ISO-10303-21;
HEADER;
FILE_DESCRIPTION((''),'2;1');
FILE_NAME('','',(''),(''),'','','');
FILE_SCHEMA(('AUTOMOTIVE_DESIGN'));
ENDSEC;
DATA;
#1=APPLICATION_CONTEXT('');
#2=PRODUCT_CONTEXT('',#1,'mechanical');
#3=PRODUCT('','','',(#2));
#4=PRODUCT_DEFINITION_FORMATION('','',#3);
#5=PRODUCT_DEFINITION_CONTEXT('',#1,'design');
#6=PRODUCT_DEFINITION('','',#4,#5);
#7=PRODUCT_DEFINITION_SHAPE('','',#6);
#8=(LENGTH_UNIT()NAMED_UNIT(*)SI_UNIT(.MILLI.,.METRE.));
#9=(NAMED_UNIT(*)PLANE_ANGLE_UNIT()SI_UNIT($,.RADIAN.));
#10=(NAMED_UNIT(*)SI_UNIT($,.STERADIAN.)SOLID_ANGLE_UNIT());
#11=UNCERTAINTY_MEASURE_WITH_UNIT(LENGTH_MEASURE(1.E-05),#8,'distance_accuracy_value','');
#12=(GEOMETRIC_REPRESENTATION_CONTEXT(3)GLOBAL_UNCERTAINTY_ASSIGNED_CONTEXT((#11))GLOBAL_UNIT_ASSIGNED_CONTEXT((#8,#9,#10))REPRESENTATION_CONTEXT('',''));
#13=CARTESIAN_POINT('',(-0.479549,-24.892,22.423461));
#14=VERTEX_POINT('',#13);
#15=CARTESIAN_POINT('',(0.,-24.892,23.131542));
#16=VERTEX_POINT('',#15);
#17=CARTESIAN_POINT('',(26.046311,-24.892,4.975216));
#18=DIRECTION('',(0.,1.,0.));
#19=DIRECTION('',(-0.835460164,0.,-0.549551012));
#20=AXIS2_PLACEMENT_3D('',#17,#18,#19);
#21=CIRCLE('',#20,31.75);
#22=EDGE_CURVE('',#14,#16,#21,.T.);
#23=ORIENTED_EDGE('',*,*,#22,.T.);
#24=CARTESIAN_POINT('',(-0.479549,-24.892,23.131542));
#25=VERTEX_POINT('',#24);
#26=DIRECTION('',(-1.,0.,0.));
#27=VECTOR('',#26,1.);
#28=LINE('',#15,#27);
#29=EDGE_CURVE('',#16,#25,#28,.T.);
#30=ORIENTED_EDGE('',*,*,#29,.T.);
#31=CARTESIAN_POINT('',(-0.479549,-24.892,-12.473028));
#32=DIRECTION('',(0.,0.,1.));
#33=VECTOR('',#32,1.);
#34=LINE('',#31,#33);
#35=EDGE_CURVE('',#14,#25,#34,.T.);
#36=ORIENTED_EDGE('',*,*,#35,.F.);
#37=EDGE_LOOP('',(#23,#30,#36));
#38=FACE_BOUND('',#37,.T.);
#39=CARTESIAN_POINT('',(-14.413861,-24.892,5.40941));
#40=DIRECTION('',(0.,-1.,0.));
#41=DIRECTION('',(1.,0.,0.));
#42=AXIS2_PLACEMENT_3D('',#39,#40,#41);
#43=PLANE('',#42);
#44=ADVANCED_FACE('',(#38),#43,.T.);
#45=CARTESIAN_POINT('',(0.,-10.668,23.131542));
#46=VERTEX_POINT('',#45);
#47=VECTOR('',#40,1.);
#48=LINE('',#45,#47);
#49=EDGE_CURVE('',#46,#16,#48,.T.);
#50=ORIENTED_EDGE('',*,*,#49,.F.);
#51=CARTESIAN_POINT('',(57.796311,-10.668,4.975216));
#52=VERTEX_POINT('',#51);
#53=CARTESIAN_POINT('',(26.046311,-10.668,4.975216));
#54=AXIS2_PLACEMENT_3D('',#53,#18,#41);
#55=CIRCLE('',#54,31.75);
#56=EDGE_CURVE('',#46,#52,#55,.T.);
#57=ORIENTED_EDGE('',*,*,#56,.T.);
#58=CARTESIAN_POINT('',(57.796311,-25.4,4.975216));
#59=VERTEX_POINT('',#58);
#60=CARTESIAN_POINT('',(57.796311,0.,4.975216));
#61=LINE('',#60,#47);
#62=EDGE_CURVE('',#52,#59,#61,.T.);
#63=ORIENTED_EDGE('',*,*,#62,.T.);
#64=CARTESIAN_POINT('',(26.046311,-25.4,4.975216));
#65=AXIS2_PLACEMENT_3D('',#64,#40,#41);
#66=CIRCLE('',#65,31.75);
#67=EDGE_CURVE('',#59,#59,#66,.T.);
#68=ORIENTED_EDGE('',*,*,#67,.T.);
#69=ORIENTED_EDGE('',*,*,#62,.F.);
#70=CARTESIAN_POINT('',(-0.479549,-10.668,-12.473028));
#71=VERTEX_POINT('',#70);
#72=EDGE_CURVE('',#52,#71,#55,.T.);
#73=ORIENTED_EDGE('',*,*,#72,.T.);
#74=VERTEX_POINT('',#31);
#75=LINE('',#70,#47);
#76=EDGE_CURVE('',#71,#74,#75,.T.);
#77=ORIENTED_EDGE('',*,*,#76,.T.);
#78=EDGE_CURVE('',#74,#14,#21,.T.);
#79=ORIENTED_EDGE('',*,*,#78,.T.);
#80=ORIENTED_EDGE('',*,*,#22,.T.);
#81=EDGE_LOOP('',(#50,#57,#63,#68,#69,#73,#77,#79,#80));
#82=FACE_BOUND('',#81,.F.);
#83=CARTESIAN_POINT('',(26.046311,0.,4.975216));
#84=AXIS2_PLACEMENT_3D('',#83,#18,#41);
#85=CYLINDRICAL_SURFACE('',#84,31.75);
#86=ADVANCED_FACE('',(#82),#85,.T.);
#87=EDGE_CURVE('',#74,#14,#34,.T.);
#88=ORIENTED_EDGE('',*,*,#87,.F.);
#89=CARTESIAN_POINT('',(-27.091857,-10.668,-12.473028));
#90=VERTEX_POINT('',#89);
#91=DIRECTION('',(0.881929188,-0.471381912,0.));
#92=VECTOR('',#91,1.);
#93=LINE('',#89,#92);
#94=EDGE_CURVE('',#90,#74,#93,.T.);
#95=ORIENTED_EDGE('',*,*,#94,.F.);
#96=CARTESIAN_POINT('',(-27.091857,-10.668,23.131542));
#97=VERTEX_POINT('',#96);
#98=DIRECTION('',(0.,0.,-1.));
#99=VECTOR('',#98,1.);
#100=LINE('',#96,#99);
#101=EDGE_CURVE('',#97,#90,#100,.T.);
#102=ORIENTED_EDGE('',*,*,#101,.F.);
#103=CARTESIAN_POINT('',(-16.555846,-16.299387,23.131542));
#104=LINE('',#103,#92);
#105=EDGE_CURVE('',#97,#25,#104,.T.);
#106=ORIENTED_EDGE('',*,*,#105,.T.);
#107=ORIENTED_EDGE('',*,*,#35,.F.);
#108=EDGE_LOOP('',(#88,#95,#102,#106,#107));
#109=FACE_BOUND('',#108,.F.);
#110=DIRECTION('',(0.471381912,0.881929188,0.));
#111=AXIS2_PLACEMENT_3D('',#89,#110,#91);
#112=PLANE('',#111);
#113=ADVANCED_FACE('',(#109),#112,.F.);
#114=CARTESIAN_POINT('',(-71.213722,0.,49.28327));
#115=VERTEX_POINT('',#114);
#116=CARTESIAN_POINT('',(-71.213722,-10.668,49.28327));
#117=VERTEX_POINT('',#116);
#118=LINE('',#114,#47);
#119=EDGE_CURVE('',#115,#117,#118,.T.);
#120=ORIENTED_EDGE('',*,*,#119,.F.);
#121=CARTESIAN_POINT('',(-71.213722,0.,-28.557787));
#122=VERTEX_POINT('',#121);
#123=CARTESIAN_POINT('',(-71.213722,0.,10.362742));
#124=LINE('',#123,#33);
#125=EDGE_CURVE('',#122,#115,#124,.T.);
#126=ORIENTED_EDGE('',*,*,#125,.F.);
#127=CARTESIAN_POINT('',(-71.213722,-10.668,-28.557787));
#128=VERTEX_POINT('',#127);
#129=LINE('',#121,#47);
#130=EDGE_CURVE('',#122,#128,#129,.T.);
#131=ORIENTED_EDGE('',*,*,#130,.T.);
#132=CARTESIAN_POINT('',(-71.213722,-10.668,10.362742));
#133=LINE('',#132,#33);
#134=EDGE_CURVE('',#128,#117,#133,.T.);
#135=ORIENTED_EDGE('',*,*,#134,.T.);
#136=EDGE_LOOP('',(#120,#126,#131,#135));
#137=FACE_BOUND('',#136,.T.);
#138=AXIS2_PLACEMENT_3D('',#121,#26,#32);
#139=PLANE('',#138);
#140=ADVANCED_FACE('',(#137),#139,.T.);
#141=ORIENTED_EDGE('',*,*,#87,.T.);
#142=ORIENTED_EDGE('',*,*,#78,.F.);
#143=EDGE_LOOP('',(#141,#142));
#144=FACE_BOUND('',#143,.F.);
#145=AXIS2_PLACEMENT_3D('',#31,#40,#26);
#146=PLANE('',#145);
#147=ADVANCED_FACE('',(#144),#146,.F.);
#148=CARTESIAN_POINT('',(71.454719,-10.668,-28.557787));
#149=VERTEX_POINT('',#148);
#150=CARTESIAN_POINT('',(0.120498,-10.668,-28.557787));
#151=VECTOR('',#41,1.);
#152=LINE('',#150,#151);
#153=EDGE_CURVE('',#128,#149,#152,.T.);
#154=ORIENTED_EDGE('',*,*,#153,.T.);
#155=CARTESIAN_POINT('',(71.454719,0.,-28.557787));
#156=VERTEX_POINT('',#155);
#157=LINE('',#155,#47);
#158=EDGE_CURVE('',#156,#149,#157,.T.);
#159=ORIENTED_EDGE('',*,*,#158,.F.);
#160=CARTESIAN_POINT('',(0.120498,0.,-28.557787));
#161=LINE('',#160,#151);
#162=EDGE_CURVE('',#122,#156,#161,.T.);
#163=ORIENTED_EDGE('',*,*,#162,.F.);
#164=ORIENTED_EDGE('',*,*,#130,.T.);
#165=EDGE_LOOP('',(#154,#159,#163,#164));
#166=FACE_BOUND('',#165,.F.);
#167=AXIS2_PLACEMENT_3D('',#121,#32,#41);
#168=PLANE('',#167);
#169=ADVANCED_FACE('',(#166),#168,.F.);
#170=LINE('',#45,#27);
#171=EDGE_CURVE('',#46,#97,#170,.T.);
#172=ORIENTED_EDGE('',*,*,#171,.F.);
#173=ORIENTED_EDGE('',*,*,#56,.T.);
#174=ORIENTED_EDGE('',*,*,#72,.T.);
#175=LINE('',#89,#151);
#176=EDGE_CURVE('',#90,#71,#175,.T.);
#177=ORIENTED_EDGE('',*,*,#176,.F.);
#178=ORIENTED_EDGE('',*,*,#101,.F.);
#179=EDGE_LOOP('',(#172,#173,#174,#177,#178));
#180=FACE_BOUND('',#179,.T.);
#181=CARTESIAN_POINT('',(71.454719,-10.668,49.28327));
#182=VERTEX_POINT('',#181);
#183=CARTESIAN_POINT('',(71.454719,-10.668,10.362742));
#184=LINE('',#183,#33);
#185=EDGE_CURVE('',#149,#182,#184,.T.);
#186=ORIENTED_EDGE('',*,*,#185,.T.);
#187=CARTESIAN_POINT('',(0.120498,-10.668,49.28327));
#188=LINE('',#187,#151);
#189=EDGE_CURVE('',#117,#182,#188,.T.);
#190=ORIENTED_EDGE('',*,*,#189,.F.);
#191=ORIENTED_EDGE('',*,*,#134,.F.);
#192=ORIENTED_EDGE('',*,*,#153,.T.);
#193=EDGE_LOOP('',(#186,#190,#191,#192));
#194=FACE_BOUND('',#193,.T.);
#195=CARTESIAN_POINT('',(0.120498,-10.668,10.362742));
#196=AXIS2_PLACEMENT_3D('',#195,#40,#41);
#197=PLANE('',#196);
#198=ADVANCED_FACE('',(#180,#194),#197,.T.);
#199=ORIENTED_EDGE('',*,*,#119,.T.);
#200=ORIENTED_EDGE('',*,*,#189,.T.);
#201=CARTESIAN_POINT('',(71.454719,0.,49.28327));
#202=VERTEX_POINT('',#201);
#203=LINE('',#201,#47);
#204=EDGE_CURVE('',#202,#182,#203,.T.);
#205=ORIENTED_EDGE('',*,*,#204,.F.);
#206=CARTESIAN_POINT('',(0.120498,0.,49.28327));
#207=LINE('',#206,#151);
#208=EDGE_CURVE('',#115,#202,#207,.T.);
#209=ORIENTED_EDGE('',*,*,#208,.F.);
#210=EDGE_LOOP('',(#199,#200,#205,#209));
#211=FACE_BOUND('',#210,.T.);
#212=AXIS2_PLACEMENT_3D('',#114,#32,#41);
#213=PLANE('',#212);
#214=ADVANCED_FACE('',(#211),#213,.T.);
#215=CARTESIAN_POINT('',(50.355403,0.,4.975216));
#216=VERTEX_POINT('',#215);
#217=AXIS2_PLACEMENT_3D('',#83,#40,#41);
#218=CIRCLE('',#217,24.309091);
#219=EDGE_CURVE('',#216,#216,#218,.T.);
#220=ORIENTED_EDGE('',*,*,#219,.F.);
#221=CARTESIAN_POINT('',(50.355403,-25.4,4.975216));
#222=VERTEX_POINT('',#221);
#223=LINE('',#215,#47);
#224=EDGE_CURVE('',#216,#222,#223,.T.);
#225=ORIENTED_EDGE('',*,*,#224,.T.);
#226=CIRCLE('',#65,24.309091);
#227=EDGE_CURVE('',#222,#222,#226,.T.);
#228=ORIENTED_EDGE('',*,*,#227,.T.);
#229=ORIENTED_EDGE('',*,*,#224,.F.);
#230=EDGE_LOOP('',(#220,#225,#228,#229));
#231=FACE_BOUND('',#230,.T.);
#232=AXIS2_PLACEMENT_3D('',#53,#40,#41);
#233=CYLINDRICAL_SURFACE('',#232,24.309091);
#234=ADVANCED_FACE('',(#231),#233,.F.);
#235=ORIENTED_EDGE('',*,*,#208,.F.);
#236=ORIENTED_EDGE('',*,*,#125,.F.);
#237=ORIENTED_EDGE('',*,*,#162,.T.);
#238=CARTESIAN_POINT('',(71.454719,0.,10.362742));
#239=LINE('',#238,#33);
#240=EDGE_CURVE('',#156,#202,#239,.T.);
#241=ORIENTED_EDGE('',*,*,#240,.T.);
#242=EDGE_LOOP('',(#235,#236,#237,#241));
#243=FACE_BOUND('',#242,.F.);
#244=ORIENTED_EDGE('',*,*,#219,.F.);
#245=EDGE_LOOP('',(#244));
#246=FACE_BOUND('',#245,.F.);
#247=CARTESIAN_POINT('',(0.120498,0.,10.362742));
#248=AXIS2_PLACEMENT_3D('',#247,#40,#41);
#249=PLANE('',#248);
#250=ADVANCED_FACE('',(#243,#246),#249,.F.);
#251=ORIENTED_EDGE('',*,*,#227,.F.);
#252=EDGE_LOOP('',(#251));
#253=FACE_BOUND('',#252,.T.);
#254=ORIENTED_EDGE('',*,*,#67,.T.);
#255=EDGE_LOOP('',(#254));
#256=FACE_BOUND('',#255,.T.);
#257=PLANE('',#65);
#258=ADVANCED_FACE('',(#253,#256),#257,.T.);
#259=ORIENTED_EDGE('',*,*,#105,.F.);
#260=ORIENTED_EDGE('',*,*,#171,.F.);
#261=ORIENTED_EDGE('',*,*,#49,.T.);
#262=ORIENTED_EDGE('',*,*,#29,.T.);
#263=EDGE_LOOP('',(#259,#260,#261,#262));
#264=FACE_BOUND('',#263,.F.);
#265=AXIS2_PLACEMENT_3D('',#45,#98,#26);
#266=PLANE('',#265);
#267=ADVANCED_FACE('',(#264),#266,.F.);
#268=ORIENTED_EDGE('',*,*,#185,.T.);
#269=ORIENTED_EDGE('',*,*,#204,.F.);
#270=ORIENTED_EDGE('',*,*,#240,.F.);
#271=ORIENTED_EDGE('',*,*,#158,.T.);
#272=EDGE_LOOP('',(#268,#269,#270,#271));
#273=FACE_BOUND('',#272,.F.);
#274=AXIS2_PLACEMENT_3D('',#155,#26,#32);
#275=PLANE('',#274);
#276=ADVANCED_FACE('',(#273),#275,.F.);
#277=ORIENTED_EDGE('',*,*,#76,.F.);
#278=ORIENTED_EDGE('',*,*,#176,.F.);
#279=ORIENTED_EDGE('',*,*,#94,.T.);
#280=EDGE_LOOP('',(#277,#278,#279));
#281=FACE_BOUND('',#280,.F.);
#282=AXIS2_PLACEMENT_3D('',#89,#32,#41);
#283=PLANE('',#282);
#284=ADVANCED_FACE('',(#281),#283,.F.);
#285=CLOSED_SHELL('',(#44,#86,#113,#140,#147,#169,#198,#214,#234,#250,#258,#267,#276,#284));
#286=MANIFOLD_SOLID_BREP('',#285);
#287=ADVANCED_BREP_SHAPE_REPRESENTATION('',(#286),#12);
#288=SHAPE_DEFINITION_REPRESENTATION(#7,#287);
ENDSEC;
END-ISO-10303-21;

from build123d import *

# Parameters (mm, degrees)
F1_R     = 31.75
F1_R_2   = 24.309091266
F2_DEPTH = 25.4
F0_W     = 142.668440938
F0_H     = 77.8410565108
F3_DEPTH = 10.668
F5_DEPTH = 14.224
F7_DEPTH = 37.846
F8_DEPTH = 25.4


with BuildPart() as f2:
    # F1 (on Front) → F2 (new body)
    with BuildSketch(Plane.XZ):
        with Locations((26.0463114828, 4.9752164632)):
            Circle(F1_R)
        with Locations((26.0463114828, 4.9752164632)):
            Circle(F1_R_2, mode=Mode.SUBTRACT)
    extrude(amount=F2_DEPTH)

    # F0 (on Front) → F3 (join)
    with BuildSketch(Plane.XZ):
        with Locations((0.12049824, 10.3627415374)):
            Rectangle(F0_W, F0_H)
    extrude(amount=F3_DEPTH)

    # F4 (on face) → F5 (join)
    with BuildSketch(Plane.XZ.offset(10.668)):
        with BuildLine():
            ThreePointArc((-0.4795487258, -12.4730281532), (-5.7008090732, 5.4028102), (0, 23.1315420315))
            Line((0, 23.1315420315), (-27.0918570459, 23.1315420315))
            Line((-27.0918570459, 23.1315420315), (-27.0918570459, -12.4730281532))
            Line((-27.0918570459, -12.4730281532), (-0.4795487258, -12.4730281532))
        make_face()
    extrude(amount=F5_DEPTH)

    # F6 (on face) → F7 (cut)
    with BuildSketch(Plane(origin=(0, 0, -12.4730281532), x_dir=(1, 0, 0), z_dir=(0, 0, -1))):
        Polygon((-27.0918570459, 10.668), (-0.4795487258, 24.892), (-27.0918570459, 24.892), align=None)
    extrude(amount=-F7_DEPTH, mode=Mode.SUBTRACT)

    # F8 (cut): a face of the model
    f8_faces = [f2.faces().sort_by_distance(p)[0] for p in [
        (26.0463114828, -10.668, 4.9752164632),
    ]]
    extrude(f8_faces, amount=-F8_DEPTH, mode=Mode.SUBTRACT)


solid = f2.part
